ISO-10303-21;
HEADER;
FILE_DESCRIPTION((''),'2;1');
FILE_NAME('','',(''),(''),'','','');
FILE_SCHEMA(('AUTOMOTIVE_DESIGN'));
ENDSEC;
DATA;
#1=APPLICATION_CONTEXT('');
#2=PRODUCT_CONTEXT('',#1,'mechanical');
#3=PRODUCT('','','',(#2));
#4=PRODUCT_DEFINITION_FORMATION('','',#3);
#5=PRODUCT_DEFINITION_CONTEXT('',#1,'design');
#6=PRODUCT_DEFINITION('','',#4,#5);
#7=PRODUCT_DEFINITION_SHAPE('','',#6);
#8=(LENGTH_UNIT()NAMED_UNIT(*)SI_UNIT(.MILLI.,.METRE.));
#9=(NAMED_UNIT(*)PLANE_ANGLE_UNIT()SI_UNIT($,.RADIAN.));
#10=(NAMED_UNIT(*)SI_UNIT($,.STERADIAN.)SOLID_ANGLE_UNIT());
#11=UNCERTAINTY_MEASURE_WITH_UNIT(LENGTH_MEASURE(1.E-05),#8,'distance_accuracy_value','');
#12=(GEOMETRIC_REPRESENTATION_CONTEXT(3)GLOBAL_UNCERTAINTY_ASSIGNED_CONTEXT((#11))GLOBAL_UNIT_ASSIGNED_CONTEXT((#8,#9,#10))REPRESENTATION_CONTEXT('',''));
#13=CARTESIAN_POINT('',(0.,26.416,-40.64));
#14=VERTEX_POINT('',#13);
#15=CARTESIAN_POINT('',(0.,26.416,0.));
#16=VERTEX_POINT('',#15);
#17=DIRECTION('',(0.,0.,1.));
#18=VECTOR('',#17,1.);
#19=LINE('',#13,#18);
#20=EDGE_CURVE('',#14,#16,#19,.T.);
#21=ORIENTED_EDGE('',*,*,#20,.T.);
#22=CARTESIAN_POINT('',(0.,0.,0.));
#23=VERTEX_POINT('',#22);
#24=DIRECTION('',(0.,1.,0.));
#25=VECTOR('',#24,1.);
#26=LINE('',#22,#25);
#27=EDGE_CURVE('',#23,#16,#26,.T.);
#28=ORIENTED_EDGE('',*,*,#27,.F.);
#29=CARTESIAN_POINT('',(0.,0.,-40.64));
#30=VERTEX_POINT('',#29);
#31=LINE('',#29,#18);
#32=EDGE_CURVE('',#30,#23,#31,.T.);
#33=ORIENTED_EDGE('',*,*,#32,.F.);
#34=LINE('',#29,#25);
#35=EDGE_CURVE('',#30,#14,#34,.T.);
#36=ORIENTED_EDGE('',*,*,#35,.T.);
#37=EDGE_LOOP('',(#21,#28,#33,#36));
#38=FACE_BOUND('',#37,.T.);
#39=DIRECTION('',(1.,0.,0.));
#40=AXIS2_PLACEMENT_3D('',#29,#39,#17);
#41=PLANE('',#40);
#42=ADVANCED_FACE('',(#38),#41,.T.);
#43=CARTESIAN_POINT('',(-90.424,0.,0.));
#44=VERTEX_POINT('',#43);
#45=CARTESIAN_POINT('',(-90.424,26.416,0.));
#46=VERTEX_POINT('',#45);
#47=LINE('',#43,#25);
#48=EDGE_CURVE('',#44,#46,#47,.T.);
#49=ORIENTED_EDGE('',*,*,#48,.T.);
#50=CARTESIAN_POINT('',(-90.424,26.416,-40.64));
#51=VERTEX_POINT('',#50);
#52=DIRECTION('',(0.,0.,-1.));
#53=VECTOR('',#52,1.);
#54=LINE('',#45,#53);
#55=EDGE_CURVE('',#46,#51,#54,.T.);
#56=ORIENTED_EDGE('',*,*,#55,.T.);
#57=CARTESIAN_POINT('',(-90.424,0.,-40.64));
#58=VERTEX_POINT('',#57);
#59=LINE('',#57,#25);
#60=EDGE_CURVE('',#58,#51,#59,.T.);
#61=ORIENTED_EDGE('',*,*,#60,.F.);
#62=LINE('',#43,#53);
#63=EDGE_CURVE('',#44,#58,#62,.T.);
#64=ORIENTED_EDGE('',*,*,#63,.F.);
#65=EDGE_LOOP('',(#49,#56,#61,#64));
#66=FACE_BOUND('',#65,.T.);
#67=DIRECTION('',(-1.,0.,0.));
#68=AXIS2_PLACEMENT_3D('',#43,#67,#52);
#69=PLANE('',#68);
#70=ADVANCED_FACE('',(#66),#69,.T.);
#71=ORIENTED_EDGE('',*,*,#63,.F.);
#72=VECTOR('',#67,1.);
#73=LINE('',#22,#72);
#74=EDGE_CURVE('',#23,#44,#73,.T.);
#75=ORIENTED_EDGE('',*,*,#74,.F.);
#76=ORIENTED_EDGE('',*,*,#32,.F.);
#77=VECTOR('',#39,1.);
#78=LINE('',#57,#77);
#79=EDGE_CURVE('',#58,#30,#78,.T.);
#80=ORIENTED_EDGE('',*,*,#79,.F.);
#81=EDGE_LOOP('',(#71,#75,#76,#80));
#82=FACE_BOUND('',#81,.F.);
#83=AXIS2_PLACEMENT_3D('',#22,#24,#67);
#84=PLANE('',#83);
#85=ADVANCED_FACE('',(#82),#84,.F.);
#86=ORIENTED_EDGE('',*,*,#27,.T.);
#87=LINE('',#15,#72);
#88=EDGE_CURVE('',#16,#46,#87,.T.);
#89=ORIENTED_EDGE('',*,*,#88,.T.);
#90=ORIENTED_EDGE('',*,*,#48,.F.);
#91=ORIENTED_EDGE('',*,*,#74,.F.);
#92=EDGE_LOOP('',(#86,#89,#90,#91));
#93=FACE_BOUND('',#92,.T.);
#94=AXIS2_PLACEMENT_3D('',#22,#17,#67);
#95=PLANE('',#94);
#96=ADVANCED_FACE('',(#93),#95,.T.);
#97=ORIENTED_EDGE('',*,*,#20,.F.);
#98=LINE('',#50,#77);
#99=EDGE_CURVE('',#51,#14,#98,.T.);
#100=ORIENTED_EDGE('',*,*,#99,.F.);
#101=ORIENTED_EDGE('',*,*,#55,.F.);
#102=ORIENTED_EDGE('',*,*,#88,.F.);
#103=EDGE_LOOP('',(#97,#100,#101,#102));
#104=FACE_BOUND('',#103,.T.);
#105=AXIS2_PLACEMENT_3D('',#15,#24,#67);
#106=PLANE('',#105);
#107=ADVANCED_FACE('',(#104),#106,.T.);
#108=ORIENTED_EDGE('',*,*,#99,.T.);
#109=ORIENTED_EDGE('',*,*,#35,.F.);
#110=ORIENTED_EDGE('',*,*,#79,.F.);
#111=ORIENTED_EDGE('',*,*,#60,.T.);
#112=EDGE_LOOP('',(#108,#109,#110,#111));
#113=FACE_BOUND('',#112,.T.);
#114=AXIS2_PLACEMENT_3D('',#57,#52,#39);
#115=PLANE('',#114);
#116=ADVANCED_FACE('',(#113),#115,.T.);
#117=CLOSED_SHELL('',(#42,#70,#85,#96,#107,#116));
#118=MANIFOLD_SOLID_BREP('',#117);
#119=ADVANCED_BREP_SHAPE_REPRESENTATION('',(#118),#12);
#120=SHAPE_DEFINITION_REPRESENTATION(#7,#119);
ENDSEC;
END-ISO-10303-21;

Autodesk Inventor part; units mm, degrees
ref_plane "YZ Plane" through (0, 0, 0) normal (1, 0, 0) x (0, 1, 0)
ref_plane "XZ Plane" through (0, 0, 0) normal (0, 1, 0) x (-1, 0, 0)
ref_plane "XY Plane" through (0, 0, 0) normal (0, 0, 1) x (1, 0, 0)
sketch "Sketch1" plane through (0, 0, 0) normal (0, 1, 0) x (-1, 0, 0)
  line L0 (0, 0) -> (90.424, 0)
  line L1 (90.424, 0) -> (90.424, -40.64)
  line L2 (90.424, -40.64) -> (0, -40.64)
  line L3 (0, -40.64) -> (0, 0)
  dimension "d0" = 90.424
  dimension "d1" = 40.64
extrude "Extrusion1" add sketch "Sketch1" along normal blind 26.416
properties part number "LCD Reader INCOMPLETE"
